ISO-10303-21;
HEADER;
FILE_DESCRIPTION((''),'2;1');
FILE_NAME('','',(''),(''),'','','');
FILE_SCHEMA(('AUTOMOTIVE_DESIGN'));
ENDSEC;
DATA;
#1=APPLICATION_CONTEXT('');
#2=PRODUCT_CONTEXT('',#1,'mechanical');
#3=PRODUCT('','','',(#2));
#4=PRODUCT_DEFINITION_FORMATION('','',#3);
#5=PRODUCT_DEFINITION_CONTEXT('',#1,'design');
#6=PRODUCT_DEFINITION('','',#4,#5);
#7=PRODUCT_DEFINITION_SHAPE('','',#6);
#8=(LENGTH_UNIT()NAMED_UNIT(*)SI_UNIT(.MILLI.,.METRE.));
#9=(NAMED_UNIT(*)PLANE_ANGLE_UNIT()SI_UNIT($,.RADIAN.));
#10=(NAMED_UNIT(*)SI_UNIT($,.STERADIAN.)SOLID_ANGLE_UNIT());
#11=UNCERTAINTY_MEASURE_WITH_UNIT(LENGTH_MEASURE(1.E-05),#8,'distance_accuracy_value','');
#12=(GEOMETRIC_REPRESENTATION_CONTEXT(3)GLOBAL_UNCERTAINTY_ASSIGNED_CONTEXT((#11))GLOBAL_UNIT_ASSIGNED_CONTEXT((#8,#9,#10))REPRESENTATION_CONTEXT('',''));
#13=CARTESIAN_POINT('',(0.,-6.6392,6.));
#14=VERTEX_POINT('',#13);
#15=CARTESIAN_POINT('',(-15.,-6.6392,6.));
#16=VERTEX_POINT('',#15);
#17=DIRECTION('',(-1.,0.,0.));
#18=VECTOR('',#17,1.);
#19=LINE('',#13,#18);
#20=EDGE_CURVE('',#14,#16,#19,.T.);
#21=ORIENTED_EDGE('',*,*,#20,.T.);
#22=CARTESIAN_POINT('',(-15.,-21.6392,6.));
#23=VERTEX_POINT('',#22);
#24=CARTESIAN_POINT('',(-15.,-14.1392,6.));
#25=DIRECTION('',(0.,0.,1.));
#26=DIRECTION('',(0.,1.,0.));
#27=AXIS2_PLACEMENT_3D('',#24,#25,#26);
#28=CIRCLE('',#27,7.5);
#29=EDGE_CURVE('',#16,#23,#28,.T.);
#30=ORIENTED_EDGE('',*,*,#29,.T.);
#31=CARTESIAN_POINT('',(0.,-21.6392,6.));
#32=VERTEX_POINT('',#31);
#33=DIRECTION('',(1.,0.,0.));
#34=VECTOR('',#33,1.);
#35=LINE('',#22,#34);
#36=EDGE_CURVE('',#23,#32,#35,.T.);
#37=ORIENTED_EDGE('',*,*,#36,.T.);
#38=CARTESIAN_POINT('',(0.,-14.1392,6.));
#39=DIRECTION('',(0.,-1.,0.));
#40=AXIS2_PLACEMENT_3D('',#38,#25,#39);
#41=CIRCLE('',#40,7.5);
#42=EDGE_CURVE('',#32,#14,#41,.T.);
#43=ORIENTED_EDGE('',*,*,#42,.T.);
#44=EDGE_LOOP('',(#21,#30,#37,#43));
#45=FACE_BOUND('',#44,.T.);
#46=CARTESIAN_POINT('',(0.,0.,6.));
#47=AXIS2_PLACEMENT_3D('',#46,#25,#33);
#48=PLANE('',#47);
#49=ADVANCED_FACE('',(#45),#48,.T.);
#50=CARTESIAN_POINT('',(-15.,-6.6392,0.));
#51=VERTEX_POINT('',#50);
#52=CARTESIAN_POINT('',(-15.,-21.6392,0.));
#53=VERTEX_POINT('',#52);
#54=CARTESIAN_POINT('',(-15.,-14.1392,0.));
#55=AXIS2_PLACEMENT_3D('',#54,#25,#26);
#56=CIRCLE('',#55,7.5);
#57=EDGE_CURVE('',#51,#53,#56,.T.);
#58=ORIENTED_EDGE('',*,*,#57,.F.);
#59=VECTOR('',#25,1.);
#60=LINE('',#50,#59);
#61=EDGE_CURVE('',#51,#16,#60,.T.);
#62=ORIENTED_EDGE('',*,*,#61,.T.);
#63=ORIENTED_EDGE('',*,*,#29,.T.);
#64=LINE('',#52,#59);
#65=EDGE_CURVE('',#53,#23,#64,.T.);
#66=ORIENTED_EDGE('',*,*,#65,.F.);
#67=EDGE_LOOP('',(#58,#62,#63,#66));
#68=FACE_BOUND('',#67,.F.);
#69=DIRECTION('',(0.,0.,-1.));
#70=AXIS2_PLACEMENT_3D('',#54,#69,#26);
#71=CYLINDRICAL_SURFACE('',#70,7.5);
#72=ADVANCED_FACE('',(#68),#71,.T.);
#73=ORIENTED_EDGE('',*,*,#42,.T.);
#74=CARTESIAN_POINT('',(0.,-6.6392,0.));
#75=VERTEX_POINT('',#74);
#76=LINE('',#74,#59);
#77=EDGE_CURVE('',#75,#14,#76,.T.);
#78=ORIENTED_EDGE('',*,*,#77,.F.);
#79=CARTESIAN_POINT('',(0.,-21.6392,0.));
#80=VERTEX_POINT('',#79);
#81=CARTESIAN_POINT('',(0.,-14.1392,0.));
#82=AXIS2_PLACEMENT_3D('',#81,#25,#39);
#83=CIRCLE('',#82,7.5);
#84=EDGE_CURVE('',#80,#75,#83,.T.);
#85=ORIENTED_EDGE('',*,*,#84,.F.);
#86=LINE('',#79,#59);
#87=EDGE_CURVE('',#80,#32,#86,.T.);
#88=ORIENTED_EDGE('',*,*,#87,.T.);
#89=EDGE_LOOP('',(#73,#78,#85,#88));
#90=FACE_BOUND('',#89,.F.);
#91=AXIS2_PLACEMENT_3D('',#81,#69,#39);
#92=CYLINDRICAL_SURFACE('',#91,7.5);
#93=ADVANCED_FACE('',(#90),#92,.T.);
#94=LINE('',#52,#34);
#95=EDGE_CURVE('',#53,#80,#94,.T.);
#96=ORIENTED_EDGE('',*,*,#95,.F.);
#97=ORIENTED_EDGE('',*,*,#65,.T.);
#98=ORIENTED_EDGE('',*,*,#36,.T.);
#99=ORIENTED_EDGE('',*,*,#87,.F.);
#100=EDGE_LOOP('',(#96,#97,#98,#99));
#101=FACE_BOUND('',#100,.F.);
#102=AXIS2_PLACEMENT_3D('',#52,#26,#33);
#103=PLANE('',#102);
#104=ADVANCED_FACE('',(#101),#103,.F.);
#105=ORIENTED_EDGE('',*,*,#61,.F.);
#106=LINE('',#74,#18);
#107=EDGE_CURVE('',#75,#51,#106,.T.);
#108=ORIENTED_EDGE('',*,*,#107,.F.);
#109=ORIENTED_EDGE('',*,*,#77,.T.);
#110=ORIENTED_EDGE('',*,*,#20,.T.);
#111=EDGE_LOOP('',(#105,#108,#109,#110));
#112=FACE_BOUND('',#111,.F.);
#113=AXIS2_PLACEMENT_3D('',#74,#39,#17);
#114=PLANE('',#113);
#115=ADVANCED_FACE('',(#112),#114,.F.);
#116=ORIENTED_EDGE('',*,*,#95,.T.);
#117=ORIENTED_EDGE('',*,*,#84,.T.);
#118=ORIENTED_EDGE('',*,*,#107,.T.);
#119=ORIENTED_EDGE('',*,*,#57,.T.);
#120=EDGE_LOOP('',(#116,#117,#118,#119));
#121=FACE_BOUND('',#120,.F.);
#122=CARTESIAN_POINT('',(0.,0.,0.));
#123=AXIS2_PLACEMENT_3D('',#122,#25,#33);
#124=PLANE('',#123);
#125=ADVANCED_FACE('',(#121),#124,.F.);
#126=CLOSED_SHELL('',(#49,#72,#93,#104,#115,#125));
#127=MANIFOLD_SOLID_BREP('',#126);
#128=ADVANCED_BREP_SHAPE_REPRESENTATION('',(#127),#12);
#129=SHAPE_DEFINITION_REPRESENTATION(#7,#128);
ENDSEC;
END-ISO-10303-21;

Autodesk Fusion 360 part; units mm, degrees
sketch "草图1" plane through (0, 0, 0) normal (0, 0, 1) x (1, 0, 0)
  line L0 (-15, -21.6392) -> (0, -21.6392)
  arc A0 (0, -21.6392) -> (0, -6.6392) centre (0, -14.1392) ccw
  line L1 (0, -6.6392) -> (-15, -6.6392)
  arc A1 (-15, -6.6392) -> (-15, -21.6392) centre (-15, -14.1392) ccw
  line L2 (-15, -14.1392) -> (0, -14.1392) construction
  dimension "d1" = 15
  dimension "d2" = 15
extrude "拉伸1" add sketch "草图1" along normal blind 6
